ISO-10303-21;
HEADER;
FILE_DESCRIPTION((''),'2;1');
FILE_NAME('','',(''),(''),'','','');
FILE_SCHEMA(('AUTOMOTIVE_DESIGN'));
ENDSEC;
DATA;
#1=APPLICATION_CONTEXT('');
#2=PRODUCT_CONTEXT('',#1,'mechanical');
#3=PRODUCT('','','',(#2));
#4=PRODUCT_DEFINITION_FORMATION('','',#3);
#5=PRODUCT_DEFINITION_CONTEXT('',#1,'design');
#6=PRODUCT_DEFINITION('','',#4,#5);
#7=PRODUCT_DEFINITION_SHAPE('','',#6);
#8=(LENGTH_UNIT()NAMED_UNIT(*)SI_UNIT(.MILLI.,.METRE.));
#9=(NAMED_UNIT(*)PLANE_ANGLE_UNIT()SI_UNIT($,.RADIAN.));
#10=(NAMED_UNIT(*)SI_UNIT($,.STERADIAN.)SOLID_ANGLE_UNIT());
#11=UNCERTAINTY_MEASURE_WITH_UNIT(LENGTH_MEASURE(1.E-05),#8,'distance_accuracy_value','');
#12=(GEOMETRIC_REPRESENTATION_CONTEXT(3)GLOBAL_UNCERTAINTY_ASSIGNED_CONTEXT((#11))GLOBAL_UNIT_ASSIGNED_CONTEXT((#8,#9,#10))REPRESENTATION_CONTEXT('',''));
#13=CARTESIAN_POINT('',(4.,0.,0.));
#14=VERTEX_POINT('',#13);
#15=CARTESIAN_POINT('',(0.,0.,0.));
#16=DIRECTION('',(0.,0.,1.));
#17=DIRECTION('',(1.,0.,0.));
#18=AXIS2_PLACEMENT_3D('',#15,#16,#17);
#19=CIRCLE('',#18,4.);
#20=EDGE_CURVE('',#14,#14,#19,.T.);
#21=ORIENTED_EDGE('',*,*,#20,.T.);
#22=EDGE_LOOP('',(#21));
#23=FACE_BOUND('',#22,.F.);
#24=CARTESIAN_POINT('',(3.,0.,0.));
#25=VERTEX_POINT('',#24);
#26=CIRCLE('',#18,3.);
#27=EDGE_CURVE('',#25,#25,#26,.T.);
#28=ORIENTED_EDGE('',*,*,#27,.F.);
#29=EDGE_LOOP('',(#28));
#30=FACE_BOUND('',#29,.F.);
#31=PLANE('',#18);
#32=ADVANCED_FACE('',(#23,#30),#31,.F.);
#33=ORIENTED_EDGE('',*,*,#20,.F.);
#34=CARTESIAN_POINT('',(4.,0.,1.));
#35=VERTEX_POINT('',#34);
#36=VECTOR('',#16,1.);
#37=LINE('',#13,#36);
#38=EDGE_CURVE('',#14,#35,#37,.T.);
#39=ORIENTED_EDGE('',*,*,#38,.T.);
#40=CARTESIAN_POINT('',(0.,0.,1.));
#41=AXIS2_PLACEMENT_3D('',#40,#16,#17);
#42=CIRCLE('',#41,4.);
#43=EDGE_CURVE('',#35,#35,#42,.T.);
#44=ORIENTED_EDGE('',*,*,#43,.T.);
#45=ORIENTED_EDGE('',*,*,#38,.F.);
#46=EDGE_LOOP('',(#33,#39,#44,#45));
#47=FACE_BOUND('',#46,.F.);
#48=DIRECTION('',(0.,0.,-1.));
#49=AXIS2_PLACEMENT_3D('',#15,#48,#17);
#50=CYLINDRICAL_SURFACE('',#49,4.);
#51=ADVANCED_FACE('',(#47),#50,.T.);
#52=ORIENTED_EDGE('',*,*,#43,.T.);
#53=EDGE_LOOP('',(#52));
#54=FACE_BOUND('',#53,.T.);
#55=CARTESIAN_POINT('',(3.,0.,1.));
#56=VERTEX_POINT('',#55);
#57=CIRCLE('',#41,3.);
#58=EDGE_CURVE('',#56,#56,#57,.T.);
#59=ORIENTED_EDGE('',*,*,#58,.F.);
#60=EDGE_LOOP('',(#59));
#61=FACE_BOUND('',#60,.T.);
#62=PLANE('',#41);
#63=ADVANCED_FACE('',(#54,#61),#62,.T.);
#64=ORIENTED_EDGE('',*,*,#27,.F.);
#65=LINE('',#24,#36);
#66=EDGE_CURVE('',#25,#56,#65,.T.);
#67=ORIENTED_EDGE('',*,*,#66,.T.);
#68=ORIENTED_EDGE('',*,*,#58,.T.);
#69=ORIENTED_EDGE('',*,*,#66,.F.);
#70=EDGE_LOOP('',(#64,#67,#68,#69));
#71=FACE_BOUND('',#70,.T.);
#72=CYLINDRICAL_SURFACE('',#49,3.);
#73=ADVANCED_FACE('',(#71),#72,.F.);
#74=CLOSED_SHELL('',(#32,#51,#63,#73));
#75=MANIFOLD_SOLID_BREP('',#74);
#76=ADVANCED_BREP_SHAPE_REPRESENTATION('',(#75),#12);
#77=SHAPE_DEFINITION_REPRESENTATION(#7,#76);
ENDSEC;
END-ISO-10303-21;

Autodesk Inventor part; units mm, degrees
ref_plane "YZ Plane" through (0, 0, 0) normal (1, 0, 0) x (0, 1, 0)
ref_plane "XZ Plane" through (0, 0, 0) normal (0, 1, 0) x (-1, 0, 0)
ref_plane "XY Plane" through (0, 0, 0) normal (0, 0, 1) x (1, 0, 0)
sketch "スケッチ1" plane through (0, 0, 0) normal (0, 0, 1) x (1, 0, 0)
  circle A0 centre (0, 0) radius 3
  circle A1 centre (0, 0) radius 4
  dimension "d0" = 6
  dimension "d1" = 8
extrude "押し出し1" add sketch "スケッチ1" along normal blind 1
properties part number "シムリング　6-8　t1" material "ステンレス鋼 AISI 304"
